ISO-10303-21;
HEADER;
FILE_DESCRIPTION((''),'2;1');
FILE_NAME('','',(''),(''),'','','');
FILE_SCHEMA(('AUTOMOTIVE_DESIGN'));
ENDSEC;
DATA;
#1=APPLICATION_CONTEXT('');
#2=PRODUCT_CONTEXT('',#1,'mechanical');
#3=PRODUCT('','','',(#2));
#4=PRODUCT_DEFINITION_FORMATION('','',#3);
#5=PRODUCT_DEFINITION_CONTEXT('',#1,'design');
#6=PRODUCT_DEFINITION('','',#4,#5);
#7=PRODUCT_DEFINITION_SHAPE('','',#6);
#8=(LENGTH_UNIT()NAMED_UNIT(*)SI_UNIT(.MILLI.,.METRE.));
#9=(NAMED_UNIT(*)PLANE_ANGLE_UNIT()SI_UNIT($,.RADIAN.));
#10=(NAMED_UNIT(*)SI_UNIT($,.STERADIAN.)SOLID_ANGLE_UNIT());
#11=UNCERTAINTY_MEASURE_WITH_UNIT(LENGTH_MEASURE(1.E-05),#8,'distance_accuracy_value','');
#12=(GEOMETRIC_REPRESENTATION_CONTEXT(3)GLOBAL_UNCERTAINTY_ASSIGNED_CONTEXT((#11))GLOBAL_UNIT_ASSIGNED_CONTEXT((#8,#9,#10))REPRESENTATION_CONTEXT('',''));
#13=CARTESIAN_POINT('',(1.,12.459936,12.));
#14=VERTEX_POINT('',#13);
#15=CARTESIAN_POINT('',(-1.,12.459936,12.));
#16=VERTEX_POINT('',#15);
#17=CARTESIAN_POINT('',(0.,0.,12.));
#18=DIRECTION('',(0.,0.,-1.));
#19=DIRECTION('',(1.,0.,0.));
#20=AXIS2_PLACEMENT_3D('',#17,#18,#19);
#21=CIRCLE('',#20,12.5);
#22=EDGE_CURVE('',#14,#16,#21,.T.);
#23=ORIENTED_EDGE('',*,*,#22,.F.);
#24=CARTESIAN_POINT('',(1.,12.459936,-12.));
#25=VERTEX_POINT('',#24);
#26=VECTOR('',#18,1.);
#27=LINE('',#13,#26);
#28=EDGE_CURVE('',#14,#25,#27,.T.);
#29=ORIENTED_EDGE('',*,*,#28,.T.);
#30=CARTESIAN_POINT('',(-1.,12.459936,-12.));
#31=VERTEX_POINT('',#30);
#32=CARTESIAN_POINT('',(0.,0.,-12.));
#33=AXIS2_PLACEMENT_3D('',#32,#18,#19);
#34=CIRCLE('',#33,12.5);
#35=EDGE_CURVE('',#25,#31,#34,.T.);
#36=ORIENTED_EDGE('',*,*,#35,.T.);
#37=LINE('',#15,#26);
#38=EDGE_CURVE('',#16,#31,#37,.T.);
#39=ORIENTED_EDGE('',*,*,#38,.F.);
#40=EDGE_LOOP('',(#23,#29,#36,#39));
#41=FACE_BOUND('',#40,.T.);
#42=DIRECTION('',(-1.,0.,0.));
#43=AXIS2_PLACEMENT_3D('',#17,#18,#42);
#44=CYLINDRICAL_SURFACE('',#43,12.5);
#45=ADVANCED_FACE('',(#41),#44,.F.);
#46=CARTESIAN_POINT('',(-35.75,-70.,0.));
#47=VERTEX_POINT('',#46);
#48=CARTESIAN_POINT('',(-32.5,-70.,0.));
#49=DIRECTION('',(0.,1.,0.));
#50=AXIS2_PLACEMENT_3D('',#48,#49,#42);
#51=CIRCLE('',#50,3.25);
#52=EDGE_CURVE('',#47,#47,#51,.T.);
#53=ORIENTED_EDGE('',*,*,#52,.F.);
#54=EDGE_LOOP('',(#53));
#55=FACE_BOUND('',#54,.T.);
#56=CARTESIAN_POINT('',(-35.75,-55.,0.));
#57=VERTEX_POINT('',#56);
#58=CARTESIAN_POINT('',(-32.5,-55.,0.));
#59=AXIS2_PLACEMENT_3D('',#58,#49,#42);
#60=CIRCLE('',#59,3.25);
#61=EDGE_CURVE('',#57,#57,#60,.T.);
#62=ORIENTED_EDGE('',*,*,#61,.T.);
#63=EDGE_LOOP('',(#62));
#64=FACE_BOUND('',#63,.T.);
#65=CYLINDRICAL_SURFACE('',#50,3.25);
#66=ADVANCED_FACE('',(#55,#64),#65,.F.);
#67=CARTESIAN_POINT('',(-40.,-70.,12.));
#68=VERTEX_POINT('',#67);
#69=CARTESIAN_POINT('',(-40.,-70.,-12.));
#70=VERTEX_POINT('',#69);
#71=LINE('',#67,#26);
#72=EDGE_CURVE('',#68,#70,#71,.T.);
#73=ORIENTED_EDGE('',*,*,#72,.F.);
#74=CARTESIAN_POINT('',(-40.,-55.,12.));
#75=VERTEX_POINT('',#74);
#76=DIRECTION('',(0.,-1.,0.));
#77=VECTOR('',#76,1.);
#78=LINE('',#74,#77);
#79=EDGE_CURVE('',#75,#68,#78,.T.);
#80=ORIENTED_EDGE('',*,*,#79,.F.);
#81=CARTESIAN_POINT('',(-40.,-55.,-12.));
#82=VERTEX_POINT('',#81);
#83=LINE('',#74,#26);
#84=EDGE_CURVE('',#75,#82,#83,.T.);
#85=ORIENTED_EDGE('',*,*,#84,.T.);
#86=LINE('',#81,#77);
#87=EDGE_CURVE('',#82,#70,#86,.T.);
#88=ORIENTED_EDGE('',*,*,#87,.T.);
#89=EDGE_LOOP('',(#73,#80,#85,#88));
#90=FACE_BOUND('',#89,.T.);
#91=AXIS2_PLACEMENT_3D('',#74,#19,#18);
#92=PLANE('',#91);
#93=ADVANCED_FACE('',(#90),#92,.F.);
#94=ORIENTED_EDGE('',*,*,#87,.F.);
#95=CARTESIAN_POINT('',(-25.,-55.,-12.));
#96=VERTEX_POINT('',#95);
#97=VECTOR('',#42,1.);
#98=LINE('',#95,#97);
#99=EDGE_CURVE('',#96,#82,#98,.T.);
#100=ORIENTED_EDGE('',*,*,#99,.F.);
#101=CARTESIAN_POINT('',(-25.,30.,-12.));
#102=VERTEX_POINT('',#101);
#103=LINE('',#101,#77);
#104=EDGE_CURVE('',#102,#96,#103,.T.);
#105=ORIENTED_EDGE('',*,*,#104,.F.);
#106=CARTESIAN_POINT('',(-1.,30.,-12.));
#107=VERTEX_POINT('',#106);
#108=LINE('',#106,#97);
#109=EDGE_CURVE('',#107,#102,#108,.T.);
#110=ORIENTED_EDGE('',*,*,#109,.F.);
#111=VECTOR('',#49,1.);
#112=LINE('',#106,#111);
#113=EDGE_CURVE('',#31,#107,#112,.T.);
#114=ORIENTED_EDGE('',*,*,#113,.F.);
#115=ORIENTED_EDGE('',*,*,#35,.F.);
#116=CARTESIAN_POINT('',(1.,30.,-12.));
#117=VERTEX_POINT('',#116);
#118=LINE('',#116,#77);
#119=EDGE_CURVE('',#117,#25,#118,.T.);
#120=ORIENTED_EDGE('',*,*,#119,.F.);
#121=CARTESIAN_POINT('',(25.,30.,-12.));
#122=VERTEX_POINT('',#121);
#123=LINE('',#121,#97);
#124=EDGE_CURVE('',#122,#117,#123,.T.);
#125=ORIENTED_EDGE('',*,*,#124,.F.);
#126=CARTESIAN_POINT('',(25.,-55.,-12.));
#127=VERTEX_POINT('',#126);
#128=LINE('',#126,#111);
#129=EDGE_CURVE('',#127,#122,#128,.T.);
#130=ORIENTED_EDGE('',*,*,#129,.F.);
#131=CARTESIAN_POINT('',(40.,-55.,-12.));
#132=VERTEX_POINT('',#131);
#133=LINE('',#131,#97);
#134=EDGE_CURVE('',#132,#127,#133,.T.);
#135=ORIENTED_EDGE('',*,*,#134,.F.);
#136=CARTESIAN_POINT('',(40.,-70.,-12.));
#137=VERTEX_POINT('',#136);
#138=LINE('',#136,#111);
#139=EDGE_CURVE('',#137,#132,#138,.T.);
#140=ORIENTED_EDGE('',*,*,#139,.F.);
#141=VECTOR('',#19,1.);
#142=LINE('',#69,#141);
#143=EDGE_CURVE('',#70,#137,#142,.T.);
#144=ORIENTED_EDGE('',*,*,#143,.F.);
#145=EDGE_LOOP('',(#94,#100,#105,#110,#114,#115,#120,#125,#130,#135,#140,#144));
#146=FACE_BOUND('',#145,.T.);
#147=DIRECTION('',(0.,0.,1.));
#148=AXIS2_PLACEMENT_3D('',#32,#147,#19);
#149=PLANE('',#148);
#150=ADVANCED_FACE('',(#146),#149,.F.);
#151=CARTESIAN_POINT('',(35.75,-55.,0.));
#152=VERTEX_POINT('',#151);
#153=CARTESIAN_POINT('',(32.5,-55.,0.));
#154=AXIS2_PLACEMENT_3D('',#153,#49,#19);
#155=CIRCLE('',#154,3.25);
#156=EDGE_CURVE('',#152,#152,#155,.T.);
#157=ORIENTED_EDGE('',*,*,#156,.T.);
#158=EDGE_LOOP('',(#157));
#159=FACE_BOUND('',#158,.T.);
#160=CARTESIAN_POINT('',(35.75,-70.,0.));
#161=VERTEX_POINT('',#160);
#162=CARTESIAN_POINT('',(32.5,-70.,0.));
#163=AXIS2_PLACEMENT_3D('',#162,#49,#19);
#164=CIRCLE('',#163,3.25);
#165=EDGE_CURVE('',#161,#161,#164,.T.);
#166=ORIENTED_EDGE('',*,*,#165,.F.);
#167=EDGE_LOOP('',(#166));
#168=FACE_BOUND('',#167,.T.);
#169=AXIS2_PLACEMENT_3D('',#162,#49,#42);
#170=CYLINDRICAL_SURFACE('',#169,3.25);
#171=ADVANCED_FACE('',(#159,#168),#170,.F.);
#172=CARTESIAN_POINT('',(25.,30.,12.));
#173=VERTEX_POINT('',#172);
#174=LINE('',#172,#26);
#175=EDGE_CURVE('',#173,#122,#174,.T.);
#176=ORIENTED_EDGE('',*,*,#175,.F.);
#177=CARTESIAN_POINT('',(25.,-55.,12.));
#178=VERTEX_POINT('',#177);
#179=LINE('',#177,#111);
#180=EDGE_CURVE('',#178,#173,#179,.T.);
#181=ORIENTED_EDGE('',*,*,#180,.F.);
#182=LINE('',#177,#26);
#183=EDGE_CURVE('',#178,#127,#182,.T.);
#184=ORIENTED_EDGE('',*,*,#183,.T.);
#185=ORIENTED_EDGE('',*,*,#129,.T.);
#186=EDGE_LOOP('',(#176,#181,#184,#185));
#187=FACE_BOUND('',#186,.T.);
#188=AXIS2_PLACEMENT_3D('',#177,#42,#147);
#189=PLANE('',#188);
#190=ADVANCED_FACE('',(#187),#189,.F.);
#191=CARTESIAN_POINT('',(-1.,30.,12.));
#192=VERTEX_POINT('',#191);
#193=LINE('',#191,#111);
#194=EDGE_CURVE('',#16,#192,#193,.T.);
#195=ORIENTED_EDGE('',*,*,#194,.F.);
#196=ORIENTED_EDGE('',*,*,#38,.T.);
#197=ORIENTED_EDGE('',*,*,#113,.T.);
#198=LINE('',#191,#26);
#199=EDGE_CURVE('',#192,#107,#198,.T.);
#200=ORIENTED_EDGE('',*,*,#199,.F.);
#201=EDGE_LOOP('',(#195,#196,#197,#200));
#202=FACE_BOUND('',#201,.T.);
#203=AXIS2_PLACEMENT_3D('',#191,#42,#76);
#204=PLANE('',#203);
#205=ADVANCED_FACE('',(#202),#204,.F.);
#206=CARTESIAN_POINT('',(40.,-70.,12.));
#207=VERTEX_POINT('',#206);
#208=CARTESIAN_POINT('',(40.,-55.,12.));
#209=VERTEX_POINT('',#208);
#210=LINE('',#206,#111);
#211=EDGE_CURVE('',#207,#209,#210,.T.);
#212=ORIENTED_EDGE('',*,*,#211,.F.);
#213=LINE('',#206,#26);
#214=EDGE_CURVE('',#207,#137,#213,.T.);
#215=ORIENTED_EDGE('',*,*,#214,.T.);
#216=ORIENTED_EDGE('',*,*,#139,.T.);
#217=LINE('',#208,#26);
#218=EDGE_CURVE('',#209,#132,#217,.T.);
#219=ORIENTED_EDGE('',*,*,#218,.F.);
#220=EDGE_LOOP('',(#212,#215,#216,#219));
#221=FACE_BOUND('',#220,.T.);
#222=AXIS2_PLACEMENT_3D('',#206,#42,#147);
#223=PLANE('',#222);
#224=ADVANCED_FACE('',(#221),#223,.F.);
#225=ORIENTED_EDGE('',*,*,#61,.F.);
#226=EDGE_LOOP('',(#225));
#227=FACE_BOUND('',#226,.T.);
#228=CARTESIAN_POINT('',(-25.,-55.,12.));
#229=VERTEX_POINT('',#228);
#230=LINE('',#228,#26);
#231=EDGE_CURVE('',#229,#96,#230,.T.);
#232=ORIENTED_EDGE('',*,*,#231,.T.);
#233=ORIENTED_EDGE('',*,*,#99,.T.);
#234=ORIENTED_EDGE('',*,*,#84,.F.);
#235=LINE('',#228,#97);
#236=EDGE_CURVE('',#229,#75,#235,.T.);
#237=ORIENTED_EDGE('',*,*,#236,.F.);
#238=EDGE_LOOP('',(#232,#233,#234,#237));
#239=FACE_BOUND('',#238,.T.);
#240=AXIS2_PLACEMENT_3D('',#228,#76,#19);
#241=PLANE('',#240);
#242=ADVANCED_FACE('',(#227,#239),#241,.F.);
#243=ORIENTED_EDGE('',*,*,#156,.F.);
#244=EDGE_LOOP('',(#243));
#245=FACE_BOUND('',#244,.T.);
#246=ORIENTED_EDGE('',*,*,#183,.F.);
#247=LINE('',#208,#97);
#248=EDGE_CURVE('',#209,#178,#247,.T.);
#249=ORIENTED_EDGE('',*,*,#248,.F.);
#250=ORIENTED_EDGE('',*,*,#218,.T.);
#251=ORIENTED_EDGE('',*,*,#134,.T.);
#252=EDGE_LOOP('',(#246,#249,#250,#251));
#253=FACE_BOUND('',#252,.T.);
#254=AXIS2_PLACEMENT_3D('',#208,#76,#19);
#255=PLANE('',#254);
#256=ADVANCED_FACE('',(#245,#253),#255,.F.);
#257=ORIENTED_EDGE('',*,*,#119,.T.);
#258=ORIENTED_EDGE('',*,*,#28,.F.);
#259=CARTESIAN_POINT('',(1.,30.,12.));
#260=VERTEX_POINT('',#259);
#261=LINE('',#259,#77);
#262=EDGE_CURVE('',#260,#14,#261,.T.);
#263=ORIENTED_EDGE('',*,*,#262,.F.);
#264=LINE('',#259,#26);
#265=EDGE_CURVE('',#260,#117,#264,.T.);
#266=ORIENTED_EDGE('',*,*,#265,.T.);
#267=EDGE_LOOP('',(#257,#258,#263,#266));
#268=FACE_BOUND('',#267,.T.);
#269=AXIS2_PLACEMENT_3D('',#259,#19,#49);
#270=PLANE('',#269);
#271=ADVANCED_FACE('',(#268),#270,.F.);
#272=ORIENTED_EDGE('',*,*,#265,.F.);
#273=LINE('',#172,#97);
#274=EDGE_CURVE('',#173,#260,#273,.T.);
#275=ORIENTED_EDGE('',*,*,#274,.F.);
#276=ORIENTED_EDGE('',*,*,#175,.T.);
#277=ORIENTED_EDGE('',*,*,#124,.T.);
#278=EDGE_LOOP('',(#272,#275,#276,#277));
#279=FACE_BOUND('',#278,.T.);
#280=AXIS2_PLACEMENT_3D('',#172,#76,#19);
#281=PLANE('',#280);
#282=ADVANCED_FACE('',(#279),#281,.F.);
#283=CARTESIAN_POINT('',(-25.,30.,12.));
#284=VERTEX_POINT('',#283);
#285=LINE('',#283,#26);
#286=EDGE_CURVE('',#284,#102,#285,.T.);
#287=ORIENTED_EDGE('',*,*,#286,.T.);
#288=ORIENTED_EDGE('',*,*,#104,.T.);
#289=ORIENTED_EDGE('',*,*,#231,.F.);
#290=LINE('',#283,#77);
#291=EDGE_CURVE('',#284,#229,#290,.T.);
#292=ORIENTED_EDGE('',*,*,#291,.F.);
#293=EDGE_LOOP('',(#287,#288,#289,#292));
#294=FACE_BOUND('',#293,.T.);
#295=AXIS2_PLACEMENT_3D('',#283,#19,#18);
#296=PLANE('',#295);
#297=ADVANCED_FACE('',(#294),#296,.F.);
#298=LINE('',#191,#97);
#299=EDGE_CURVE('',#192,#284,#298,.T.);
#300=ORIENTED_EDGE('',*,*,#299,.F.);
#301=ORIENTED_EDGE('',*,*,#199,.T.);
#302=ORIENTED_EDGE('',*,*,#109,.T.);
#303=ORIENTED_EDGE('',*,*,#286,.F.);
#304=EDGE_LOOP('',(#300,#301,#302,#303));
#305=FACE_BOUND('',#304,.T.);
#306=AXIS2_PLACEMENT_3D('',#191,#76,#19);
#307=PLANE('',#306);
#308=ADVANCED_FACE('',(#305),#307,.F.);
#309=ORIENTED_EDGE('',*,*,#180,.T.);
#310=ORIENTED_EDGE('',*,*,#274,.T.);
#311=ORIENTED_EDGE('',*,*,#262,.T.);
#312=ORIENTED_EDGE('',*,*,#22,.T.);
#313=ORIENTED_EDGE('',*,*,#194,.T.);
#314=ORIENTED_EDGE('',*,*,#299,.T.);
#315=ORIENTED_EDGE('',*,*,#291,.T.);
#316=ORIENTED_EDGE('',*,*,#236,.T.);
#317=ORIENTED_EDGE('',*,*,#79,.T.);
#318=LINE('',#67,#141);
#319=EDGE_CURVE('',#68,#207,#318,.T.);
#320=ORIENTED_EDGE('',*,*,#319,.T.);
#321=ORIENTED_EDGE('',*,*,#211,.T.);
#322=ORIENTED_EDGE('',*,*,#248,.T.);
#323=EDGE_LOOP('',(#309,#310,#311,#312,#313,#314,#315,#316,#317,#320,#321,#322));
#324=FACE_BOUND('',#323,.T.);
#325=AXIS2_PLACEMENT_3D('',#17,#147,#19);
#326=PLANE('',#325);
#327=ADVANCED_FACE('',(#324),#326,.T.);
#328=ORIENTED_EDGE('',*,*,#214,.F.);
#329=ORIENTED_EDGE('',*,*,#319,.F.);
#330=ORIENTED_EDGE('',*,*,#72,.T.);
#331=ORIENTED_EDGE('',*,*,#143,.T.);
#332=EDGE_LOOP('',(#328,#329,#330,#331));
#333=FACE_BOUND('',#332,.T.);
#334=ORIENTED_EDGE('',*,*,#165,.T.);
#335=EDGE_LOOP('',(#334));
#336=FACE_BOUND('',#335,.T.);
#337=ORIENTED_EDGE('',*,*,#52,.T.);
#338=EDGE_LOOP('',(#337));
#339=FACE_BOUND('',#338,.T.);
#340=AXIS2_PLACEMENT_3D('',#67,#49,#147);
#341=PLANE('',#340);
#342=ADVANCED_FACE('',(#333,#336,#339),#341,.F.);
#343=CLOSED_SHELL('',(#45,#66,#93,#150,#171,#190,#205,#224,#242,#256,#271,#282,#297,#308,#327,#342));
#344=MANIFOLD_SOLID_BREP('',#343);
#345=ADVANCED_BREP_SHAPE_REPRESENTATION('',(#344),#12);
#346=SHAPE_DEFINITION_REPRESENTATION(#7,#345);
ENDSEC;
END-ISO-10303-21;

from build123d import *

# Parameters (mm, degrees)
EXTRUDE_1_DEPTH     = 12
SKETCH_2_R          = 3.25
CUT_EXTRUDE_1_DEPTH = 95.704804524


with BuildPart() as part:
    # Эскиз1 → Бобышка-Вытянуть1 (new, symmetric)
    with BuildSketch(Plane.XY):
        with BuildLine():
            Line((-40, -70), (40, -70))
            Line((40, -70), (40, -55))
            Line((40, -55), (25, -55))
            Line((25, -55), (25, 30))
            Line((25, 30), (1, 30))
            Line((1, 30), (1, 12.459935794))
            ThreePointArc((1, 12.459935794), (0, -12.5), (-1, 12.459935794))
            Line((-1, 12.459935794), (-1, 30))
            Line((-1, 30), (-25, 30))
            Line((-25, 30), (-25, -55))
            Line((-25, -55), (-40, -55))
            Line((-40, -55), (-40, -70))
        make_face()
    extrude(amount=EXTRUDE_1_DEPTH, both=True)

    # Эскиз2 → Вырез-Вытянуть1 (cut, through all)
    with BuildSketch(Plane(origin=(0, -55, 0), x_dir=(1, 0, 0), z_dir=(0, 1, 0))):
        with Locations((-32.5, 0)):
            Circle(SKETCH_2_R)
        with Locations((32.5, 0)):
            Circle(SKETCH_2_R)
    extrude(amount=-CUT_EXTRUDE_1_DEPTH, mode=Mode.SUBTRACT)


solid = part.part
